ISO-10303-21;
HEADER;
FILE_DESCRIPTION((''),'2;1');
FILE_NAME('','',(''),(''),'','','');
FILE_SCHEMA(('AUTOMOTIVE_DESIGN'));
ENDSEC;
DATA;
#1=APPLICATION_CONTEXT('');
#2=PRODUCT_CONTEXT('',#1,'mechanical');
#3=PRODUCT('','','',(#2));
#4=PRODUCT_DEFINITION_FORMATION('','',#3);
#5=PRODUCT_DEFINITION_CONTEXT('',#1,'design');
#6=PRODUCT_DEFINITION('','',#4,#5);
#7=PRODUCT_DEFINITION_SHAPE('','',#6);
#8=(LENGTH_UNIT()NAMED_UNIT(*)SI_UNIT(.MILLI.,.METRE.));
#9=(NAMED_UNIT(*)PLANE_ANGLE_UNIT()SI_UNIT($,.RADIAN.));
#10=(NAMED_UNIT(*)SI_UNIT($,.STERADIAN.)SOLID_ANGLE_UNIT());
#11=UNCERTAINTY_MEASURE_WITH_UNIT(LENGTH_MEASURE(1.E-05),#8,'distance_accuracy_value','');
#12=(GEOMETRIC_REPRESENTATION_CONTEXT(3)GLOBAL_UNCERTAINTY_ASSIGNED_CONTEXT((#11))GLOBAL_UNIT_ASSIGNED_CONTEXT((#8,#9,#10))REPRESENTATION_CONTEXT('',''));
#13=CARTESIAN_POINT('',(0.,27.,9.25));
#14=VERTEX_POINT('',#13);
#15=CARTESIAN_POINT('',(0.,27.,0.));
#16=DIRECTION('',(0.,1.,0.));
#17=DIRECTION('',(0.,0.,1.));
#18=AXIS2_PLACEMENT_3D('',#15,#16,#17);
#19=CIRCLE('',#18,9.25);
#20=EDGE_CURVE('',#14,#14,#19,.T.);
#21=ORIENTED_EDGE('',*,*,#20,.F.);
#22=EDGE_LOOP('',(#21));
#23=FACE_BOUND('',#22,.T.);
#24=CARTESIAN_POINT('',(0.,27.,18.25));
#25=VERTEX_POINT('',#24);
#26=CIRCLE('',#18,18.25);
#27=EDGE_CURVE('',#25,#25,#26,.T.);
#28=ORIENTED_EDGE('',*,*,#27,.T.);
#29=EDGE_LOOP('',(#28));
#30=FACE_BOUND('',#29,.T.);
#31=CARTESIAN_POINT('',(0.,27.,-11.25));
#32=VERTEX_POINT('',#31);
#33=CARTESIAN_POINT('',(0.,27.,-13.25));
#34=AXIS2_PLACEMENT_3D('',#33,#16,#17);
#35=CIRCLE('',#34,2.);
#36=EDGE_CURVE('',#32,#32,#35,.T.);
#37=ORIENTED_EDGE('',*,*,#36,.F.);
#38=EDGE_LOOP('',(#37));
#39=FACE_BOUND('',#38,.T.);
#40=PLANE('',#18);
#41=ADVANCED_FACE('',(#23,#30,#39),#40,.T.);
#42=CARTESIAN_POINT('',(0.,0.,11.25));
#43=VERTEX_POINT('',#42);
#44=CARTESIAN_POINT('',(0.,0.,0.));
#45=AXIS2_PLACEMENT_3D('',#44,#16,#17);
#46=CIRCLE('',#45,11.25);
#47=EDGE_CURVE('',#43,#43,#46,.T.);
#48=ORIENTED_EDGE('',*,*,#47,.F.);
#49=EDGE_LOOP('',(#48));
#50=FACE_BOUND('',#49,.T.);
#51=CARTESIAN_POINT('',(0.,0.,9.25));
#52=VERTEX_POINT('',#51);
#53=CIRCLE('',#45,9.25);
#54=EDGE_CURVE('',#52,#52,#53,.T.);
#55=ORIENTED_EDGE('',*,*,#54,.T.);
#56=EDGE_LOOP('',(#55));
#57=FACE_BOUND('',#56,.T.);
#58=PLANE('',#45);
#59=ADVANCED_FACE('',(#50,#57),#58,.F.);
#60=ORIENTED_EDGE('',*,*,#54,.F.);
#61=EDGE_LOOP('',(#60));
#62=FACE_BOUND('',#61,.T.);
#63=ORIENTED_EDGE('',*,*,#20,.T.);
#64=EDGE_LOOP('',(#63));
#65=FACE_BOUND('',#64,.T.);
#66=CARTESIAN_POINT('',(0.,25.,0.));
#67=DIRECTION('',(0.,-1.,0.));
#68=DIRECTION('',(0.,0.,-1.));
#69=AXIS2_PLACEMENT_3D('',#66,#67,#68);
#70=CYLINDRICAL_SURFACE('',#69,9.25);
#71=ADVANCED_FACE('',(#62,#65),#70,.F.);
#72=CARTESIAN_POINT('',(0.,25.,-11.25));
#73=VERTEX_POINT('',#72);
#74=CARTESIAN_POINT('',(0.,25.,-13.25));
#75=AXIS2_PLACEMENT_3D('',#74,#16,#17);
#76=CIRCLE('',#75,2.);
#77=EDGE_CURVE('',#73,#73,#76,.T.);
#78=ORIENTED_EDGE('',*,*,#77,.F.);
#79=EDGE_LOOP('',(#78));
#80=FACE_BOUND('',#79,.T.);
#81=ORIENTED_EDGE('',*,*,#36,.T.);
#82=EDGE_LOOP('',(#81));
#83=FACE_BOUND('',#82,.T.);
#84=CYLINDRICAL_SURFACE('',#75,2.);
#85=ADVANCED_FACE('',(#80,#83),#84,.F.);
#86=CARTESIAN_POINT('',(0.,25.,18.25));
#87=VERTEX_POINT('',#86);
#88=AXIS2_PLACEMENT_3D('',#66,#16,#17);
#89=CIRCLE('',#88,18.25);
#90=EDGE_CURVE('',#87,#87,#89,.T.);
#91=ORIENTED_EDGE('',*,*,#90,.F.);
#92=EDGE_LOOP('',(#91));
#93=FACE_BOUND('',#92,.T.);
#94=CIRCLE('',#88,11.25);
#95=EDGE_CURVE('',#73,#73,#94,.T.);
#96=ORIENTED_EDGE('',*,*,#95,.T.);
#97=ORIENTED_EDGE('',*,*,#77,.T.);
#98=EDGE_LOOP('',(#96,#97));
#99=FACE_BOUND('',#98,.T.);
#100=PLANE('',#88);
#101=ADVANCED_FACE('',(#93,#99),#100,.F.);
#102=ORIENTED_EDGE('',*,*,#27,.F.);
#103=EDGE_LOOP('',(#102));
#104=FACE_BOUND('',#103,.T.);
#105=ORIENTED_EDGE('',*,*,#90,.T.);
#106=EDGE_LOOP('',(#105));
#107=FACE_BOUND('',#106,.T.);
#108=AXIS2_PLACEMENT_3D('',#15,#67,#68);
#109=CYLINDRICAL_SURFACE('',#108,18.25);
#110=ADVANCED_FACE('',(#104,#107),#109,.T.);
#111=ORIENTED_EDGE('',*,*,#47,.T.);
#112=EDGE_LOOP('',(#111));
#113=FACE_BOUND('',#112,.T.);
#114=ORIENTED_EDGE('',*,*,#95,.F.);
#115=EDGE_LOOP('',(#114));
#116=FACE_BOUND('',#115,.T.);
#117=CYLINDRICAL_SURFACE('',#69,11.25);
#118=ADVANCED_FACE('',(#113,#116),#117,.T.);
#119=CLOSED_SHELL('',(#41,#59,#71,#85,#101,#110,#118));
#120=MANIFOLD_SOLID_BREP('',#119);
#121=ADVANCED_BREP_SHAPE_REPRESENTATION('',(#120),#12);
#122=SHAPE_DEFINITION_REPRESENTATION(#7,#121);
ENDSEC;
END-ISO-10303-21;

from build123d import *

# Parameters (mm, degrees)
SKETCH1_R           = 11.25
SKETCH1_R_2         = 9.25
BOSS_EXTRUDE1_DEPTH = 25
SKETCH2_R           = 18.25
SKETCH2_R_2         = 9.25
BOSS_EXTRUDE2_DEPTH = 2
SKETCH3_R           = 2
CUT_EXTRUDE1_DEPTH  = 2


with BuildPart() as part:
    # Sketch1 → Boss-Extrude1 (new body)
    with BuildSketch(Plane(origin=(0, 0, 0), x_dir=(1, 0, 0), z_dir=(0, 1, 0))):
        with Locations(Location((0, 0, 0), (0, 0, 270))):
            Circle(SKETCH1_R)
        with Locations(Location((0, 0, 0), (0, 0, 270))):
            Circle(SKETCH1_R_2, mode=Mode.SUBTRACT)
    extrude(amount=BOSS_EXTRUDE1_DEPTH)

    # Sketch2 → Boss-Extrude2 (add)
    with BuildSketch(Plane(origin=(0, 25, 0), x_dir=(1, 0, 0), z_dir=(0, 1, 0))):
        with Locations(Location((0, 0, 0), (0, 0, 270))):
            Circle(SKETCH2_R)
        with Locations(Location((0, 0, 0), (0, 0, 270))):
            Circle(SKETCH2_R_2, mode=Mode.SUBTRACT)
    extrude(amount=BOSS_EXTRUDE2_DEPTH)

    # Sketch3 → Cut-Extrude1 (cut)
    with BuildSketch(Plane(origin=(0, 27, 0), x_dir=(1, 0, 0), z_dir=(0, 1, 0))):
        with Locations(Location((0, 13.25, 0), (0, 0, 270))):
            Circle(SKETCH3_R)
    extrude(amount=-CUT_EXTRUDE1_DEPTH, mode=Mode.SUBTRACT)


solid = part.part
